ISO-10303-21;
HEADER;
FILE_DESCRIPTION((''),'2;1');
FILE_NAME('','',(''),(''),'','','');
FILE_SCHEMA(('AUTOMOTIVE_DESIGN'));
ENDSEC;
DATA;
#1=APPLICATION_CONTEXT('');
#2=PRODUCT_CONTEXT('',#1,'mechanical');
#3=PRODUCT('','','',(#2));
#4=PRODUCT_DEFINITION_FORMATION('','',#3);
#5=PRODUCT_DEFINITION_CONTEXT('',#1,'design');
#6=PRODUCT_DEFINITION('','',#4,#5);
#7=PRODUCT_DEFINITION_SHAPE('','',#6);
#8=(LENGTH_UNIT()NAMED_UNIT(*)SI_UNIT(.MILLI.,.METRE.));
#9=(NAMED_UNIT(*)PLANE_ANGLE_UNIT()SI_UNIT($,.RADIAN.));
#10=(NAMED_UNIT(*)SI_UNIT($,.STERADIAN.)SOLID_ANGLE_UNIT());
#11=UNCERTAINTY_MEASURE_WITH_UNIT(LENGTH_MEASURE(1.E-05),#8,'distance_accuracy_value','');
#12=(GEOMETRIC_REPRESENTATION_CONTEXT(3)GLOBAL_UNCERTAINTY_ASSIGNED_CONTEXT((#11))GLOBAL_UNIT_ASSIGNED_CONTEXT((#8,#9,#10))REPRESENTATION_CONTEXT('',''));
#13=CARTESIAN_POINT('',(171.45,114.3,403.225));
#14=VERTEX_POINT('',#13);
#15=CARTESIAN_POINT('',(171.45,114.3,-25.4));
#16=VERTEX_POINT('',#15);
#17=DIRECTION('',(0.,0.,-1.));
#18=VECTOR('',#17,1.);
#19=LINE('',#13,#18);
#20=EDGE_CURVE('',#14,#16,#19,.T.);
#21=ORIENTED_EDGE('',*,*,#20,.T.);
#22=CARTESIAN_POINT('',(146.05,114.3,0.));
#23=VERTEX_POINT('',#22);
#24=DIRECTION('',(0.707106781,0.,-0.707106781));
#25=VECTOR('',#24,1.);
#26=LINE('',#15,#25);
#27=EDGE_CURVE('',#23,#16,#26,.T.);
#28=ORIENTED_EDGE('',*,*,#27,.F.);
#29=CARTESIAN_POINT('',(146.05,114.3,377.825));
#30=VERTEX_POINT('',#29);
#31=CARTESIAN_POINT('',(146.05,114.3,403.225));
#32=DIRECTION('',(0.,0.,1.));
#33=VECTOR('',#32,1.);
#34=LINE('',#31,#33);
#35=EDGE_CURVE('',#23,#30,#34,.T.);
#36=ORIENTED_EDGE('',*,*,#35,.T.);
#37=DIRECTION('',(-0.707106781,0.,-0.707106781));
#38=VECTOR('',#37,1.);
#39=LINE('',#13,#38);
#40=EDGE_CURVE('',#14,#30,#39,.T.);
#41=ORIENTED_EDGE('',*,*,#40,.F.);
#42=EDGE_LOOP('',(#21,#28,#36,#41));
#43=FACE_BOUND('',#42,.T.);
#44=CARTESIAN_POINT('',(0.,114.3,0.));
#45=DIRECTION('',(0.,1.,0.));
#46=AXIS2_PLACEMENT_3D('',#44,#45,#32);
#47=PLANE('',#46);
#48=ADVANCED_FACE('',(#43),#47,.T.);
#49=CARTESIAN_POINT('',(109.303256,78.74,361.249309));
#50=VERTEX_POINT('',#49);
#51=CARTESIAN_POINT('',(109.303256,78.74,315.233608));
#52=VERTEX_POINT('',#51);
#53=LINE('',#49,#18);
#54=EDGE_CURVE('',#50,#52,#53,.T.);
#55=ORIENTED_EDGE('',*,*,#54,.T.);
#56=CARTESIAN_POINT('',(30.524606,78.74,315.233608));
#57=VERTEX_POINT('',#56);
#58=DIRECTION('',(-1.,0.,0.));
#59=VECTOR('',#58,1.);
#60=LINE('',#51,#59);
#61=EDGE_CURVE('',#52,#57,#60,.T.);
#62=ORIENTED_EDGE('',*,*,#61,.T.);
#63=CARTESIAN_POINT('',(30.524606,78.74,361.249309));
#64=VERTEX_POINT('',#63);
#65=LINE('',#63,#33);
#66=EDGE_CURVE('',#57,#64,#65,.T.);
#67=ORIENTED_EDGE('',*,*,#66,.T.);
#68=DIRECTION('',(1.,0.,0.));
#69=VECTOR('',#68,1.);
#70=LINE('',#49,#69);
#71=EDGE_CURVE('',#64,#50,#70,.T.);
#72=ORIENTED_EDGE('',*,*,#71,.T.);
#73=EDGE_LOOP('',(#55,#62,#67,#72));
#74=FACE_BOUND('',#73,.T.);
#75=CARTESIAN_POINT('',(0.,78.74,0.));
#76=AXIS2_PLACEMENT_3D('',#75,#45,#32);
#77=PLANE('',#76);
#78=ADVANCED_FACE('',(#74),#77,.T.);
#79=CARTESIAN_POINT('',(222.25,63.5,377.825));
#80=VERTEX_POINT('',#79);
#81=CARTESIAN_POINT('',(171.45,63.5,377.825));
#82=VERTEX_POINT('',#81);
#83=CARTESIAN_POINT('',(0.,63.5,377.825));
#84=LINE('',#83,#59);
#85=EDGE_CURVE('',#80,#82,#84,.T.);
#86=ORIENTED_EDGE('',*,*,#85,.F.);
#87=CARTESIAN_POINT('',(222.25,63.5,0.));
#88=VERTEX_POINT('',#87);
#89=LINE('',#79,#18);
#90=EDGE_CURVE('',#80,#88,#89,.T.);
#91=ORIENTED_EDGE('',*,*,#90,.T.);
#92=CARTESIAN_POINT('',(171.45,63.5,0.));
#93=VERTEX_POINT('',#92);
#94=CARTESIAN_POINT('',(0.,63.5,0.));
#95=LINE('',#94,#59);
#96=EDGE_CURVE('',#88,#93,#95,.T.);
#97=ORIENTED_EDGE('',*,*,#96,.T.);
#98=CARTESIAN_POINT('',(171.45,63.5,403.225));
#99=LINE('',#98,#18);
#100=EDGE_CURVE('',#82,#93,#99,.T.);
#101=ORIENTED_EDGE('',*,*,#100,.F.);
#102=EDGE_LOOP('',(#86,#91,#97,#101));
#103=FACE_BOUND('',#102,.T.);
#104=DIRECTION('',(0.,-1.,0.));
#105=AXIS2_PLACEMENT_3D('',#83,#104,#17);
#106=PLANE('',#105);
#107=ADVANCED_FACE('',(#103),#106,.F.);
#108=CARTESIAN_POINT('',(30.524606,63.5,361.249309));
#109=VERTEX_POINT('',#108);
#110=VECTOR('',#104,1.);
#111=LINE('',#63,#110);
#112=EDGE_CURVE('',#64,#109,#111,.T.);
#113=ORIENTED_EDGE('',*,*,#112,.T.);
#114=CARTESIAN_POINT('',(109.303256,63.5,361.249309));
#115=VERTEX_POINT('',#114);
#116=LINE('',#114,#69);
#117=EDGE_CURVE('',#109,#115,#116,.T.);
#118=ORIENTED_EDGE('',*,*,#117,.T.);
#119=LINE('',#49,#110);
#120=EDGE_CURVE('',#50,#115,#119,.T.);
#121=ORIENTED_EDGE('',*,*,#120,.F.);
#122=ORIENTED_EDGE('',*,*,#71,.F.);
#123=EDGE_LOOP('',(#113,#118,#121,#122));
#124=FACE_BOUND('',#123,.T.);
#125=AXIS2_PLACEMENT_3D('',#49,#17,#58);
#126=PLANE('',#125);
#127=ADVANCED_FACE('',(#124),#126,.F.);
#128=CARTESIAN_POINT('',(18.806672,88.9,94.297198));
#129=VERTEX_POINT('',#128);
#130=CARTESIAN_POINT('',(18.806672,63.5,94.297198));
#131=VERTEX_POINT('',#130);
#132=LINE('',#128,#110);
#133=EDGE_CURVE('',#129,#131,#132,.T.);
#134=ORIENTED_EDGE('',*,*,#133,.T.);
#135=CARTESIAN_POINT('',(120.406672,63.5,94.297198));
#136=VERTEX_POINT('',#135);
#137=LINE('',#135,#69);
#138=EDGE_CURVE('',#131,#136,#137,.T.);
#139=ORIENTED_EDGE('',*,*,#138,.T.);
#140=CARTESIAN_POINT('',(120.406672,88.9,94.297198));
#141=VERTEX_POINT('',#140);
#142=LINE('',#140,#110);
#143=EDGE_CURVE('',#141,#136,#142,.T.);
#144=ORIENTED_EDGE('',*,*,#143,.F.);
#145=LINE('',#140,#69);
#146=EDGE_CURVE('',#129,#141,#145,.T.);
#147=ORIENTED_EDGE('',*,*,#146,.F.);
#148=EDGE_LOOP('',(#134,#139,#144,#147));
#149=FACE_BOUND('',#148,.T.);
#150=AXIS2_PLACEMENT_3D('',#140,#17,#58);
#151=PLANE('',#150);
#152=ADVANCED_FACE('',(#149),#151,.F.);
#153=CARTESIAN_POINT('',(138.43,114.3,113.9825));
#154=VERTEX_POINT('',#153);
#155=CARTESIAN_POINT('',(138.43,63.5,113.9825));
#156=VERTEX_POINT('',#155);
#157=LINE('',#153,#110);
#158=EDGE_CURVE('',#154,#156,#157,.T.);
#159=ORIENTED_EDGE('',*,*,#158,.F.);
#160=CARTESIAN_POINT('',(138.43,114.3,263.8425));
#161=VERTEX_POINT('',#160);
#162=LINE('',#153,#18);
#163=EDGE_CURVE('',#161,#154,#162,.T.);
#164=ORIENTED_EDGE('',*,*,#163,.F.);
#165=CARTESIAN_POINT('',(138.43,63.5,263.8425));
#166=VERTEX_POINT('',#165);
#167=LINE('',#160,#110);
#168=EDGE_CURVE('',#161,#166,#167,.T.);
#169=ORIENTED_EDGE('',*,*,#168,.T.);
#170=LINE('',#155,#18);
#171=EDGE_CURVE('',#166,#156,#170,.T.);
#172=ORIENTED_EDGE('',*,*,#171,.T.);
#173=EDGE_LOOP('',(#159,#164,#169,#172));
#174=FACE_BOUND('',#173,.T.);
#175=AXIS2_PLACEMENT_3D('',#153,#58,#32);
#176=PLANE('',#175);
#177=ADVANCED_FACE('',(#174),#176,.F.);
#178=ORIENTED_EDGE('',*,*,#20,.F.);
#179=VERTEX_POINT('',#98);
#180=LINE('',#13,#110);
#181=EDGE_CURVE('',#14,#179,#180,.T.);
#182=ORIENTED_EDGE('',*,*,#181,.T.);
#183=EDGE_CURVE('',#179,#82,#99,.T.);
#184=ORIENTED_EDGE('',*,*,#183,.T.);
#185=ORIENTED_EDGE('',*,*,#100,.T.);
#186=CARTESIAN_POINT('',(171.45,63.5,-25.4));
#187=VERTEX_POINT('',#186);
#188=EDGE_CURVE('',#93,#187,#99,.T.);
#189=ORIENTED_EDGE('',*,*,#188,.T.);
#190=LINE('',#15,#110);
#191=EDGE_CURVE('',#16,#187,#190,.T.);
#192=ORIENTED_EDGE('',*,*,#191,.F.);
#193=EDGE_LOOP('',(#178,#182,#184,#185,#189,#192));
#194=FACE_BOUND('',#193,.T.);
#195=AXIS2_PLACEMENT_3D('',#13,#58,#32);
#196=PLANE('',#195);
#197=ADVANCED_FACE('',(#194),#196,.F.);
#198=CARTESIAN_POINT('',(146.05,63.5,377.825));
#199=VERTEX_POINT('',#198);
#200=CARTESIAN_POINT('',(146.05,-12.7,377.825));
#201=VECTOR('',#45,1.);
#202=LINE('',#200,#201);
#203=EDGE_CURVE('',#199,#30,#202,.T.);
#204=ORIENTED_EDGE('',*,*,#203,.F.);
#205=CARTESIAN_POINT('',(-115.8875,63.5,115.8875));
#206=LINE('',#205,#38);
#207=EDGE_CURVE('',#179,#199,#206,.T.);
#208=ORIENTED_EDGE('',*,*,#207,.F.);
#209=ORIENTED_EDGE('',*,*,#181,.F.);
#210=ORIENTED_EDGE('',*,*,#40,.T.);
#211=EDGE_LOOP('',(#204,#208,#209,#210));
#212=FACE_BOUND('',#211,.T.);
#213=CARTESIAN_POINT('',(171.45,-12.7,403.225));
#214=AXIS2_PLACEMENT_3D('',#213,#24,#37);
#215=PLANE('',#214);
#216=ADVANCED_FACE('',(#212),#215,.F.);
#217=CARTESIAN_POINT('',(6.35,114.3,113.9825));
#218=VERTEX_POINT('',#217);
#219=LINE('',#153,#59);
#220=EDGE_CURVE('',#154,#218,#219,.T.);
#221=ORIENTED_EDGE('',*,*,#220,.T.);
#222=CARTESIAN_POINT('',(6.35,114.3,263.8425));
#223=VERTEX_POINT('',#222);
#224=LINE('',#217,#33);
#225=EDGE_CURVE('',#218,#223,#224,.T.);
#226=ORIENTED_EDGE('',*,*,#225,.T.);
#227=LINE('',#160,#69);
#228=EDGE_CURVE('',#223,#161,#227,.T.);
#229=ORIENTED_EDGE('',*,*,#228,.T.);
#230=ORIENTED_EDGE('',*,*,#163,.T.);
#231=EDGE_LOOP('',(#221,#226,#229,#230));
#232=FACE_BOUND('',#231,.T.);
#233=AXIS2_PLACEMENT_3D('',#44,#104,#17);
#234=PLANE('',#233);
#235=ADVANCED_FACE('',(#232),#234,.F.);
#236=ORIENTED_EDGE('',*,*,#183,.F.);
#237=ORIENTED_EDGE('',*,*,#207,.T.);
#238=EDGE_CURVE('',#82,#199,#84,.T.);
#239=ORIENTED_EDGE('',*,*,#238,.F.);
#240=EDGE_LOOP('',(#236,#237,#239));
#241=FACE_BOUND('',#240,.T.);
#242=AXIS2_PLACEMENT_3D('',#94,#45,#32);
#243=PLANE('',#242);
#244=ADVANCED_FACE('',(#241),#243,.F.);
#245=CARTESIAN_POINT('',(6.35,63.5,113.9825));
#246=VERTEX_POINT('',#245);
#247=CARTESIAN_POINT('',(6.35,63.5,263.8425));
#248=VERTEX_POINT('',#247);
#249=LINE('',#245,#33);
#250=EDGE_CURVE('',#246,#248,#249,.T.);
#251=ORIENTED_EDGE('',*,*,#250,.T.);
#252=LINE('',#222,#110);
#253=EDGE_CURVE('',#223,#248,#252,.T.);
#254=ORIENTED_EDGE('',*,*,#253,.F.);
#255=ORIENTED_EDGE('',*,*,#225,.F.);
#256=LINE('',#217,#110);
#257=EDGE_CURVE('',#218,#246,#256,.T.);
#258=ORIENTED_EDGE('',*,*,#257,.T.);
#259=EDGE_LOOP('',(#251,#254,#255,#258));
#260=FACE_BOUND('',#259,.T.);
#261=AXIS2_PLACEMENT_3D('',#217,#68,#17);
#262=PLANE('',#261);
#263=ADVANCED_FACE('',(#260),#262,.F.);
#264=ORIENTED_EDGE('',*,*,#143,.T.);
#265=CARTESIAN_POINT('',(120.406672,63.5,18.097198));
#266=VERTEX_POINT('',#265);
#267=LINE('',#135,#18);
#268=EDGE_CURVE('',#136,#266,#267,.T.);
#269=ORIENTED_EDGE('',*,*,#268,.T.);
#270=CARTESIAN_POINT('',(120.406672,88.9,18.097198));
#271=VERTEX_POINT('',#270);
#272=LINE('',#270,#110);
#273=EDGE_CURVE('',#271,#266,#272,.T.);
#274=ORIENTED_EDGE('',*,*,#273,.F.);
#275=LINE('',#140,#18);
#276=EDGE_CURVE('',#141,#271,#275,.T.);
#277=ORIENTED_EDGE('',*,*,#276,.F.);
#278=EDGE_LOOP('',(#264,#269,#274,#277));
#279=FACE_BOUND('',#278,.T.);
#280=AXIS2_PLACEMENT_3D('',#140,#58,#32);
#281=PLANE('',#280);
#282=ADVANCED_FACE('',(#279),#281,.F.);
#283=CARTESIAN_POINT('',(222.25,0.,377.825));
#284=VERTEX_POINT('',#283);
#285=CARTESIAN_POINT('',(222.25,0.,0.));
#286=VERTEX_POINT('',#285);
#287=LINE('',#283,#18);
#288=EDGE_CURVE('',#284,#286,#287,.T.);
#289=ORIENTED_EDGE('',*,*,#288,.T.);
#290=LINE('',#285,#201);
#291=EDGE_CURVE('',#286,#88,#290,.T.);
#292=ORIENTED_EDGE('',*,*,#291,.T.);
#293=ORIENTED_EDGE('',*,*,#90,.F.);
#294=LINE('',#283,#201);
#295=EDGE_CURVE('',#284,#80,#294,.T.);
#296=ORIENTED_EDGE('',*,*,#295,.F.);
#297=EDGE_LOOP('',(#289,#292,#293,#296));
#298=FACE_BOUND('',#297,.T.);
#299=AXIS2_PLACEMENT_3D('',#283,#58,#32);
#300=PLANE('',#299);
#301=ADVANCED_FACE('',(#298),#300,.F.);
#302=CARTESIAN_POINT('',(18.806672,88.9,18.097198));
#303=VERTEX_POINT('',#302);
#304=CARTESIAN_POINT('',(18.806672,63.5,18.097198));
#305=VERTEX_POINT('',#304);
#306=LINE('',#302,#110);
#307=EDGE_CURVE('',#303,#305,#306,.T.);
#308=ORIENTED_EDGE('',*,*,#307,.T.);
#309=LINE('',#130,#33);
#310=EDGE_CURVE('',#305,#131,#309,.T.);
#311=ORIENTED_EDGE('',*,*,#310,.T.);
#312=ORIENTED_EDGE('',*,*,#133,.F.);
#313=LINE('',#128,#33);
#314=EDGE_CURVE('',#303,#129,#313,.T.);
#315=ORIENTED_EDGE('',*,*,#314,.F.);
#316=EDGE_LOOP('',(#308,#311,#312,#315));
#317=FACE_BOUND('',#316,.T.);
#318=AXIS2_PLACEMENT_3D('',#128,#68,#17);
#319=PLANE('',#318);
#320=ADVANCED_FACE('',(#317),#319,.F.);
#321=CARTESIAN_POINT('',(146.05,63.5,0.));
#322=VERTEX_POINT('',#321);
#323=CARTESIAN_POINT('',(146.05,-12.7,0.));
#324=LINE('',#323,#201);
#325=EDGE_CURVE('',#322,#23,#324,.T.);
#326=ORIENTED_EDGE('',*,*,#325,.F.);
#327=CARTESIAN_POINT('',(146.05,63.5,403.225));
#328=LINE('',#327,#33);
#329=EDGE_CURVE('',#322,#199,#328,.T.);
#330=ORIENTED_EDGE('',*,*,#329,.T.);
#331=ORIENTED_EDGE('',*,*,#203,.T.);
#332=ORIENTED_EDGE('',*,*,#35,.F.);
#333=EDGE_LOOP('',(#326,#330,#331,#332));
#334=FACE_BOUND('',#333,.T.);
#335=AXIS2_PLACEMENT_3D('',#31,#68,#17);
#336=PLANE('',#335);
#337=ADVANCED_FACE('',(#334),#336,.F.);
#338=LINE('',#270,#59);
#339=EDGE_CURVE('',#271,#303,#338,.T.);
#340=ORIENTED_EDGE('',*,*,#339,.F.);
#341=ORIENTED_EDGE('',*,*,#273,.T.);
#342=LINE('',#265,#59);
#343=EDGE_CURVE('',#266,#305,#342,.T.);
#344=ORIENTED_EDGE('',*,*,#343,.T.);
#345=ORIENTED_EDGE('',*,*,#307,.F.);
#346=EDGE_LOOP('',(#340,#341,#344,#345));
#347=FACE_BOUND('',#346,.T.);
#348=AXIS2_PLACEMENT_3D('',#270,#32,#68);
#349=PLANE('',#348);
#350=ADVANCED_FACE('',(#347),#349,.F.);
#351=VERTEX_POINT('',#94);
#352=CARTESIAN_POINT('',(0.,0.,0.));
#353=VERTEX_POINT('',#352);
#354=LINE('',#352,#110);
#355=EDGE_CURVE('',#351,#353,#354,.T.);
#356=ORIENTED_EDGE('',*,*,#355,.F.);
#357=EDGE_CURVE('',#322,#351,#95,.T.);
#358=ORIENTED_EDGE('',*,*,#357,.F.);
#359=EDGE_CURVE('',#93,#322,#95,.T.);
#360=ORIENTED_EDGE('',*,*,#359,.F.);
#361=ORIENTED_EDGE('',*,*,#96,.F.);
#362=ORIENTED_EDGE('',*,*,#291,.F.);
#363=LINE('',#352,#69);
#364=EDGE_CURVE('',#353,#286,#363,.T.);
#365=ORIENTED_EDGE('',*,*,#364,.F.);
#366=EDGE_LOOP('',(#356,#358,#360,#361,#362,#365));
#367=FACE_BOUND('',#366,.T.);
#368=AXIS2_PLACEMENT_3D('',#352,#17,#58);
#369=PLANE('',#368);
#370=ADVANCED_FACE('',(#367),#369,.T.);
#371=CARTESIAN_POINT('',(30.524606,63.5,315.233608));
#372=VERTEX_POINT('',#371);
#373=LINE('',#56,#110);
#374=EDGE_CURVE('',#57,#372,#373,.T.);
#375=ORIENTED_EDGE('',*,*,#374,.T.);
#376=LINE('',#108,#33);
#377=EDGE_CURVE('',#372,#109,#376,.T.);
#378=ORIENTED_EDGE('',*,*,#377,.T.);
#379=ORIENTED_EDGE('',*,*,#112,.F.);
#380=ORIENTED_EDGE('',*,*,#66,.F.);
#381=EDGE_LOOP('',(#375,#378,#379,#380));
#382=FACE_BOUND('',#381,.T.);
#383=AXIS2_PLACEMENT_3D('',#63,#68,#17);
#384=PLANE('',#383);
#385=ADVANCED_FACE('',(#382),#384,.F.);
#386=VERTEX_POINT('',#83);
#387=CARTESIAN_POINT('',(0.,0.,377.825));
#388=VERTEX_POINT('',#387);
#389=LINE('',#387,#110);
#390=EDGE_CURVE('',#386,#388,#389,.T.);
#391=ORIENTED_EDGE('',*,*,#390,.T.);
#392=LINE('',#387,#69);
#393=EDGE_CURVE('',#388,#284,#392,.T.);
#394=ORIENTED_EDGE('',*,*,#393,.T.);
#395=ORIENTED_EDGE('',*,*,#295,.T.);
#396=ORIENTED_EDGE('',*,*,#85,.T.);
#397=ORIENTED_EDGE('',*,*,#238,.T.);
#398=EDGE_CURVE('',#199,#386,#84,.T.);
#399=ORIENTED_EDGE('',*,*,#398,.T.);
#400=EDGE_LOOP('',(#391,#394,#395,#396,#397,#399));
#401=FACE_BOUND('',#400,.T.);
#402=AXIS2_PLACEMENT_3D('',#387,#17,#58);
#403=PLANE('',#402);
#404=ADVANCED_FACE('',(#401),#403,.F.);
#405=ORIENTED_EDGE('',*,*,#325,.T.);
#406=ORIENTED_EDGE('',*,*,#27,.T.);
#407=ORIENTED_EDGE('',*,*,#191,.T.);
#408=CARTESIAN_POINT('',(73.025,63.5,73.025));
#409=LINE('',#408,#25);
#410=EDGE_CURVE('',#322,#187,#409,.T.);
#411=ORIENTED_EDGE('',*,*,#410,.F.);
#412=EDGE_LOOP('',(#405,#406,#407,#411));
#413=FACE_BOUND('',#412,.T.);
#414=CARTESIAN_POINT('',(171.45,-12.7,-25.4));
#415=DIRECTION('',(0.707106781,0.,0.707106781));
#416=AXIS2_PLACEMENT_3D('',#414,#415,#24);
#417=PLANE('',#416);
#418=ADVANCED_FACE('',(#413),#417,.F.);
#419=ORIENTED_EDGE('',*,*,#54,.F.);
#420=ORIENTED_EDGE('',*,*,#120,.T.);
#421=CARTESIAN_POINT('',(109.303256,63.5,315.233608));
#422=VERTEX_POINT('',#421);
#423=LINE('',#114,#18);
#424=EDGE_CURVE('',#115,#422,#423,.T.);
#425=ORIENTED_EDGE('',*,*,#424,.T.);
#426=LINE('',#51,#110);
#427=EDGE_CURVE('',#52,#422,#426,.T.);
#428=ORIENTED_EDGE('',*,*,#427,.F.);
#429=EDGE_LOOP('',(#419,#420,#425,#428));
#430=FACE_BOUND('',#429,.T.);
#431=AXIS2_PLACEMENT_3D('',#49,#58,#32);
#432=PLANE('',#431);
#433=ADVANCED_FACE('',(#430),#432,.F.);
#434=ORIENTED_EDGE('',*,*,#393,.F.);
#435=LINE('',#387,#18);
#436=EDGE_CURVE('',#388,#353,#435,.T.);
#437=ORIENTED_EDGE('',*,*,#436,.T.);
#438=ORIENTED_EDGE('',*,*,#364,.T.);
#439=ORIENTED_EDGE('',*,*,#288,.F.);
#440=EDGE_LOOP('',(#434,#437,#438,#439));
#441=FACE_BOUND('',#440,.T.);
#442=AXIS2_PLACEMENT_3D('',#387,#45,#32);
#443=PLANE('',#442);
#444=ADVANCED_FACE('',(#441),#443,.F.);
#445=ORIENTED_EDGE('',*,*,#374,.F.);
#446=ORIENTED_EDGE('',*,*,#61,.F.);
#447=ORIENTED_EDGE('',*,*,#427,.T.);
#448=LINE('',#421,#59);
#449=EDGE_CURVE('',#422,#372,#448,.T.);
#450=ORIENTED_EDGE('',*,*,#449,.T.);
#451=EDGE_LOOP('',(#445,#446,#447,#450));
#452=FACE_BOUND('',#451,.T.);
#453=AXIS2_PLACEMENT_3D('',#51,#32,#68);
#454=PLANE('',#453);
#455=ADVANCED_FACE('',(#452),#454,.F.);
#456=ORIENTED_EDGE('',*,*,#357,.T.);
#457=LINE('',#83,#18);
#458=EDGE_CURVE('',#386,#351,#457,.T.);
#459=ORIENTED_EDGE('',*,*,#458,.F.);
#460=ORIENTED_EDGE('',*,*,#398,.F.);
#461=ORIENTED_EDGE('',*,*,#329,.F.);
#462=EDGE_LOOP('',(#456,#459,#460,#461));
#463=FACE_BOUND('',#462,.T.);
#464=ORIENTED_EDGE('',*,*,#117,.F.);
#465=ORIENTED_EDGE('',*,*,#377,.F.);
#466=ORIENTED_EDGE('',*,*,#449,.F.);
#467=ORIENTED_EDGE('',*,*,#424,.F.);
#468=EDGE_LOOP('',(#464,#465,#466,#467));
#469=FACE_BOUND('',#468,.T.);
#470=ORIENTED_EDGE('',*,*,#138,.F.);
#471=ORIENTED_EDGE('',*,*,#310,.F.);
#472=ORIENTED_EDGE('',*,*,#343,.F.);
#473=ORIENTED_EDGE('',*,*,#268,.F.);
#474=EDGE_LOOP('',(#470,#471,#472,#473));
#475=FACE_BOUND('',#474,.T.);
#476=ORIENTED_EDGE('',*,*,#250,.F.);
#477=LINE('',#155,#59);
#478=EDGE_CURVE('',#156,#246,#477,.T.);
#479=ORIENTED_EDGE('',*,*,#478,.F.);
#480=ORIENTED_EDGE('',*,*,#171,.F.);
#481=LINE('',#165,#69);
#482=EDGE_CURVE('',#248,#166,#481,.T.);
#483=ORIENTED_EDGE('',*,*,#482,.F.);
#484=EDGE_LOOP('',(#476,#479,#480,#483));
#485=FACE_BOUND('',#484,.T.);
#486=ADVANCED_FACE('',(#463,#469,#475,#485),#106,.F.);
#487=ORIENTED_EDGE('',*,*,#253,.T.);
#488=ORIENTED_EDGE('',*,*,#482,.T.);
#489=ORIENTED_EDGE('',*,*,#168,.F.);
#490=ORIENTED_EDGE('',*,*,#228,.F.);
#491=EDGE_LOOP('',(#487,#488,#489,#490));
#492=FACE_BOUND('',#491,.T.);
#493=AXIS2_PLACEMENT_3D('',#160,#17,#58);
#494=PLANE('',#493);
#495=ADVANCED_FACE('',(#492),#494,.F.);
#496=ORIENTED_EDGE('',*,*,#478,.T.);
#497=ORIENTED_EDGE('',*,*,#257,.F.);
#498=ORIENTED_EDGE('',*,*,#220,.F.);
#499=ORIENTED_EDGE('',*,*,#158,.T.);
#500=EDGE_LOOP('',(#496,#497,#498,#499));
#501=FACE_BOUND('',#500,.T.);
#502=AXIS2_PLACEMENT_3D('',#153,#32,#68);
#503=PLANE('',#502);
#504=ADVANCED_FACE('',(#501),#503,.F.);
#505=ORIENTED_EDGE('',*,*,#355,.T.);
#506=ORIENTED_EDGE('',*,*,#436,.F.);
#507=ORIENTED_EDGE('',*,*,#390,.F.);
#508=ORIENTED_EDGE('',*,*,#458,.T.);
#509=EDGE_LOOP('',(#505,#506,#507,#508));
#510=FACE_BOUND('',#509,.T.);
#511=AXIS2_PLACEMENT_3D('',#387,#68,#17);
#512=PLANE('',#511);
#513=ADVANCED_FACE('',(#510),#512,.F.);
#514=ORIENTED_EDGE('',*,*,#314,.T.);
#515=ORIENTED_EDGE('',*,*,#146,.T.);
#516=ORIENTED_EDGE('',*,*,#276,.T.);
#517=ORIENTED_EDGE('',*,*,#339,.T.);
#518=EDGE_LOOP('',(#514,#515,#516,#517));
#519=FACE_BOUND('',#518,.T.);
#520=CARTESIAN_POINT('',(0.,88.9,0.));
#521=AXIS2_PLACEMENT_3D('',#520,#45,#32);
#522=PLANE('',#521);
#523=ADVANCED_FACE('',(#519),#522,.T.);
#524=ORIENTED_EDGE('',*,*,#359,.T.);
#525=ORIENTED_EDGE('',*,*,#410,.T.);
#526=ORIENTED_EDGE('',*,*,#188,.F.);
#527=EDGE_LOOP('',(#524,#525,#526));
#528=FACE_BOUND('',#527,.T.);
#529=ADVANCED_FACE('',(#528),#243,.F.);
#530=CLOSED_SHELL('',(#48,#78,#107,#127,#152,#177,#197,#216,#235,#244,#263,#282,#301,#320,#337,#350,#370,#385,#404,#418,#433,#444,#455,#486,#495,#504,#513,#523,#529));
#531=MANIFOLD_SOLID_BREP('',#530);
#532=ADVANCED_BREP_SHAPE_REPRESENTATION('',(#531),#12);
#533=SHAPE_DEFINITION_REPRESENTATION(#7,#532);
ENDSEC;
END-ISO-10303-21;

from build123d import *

# Parameters (mm, degrees)
SKETCH1_W           = 222.25
SKETCH1_H           = 63.5
BOSS_EXTRUDE1_DEPTH = 377.825
SKETCH2_W           = 25.4
SKETCH2_H           = 428.625
BOSS_EXTRUDE2_DEPTH = 50.8
SKETCH3_W           = 132.08
SKETCH3_H           = 149.86
BOSS_EXTRUDE3_DEPTH = 50.8
SKETCH4_W           = 101.6
SKETCH4_H           = 76.2
BOSS_EXTRUDE4_DEPTH = 25.4
SKETCH5_W           = 78.778649954
SKETCH5_H           = 46.015700821
BOSS_EXTRUDE5_DEPTH = 15.24
CUT_EXTRUDE1_DEPTH  = 127


with BuildPart() as part:
    # Sketch1 → Boss-Extrude1 (new body)
    with BuildSketch(Plane.XY):
        with Locations((111.125, 31.75)):
            Rectangle(SKETCH1_W, SKETCH1_H)
    extrude(amount=BOSS_EXTRUDE1_DEPTH)

    # Sketch2 → Boss-Extrude2 (add)
    with BuildSketch(Plane(origin=(0, 63.5, 0), x_dir=(1, 0, 0), z_dir=(0, 1, 0))):
        with Locations((158.75, -188.9125)):
            Rectangle(SKETCH2_W, SKETCH2_H)
    extrude(amount=BOSS_EXTRUDE2_DEPTH)

    # Sketch3 → Boss-Extrude3 (add)
    with BuildSketch(Plane(origin=(0, 63.5, 0), x_dir=(1, 0, 0), z_dir=(0, 1, 0))):
        with Locations((72.39, -188.9125)):
            Rectangle(SKETCH3_W, SKETCH3_H)
    extrude(amount=BOSS_EXTRUDE3_DEPTH)

    # Sketch4 → Boss-Extrude4 (add)
    with BuildSketch(Plane(origin=(0, 63.5, 0), x_dir=(1, 0, 0), z_dir=(0, 1, 0))):
        with Locations((69.606671705, -56.197197529)):
            Rectangle(SKETCH4_W, SKETCH4_H)
    extrude(amount=BOSS_EXTRUDE4_DEPTH)

    # Sketch5 → Boss-Extrude5 (add)
    with BuildSketch(Plane(origin=(0, 63.5, 0), x_dir=(1, 0, 0), z_dir=(0, 1, 0))):
        with Locations((69.91393095, -338.241458835)):
            Rectangle(SKETCH5_W, SKETCH5_H)
    extrude(amount=BOSS_EXTRUDE5_DEPTH)

    # Sketch8 → Cut-Extrude1 (cut)
    with BuildSketch(Plane(origin=(0, 114.3, 0), x_dir=(1, 0, 0), z_dir=(0, 1, 0))):
        Polygon((171.45, 25.4), (146.05, 0), (146.05, 25.4), align=None)
        Polygon((171.45, -403.225), (146.05, -377.825), (146.05, -403.225), align=None)
    extrude(amount=-CUT_EXTRUDE1_DEPTH, mode=Mode.SUBTRACT)


solid = part.part
